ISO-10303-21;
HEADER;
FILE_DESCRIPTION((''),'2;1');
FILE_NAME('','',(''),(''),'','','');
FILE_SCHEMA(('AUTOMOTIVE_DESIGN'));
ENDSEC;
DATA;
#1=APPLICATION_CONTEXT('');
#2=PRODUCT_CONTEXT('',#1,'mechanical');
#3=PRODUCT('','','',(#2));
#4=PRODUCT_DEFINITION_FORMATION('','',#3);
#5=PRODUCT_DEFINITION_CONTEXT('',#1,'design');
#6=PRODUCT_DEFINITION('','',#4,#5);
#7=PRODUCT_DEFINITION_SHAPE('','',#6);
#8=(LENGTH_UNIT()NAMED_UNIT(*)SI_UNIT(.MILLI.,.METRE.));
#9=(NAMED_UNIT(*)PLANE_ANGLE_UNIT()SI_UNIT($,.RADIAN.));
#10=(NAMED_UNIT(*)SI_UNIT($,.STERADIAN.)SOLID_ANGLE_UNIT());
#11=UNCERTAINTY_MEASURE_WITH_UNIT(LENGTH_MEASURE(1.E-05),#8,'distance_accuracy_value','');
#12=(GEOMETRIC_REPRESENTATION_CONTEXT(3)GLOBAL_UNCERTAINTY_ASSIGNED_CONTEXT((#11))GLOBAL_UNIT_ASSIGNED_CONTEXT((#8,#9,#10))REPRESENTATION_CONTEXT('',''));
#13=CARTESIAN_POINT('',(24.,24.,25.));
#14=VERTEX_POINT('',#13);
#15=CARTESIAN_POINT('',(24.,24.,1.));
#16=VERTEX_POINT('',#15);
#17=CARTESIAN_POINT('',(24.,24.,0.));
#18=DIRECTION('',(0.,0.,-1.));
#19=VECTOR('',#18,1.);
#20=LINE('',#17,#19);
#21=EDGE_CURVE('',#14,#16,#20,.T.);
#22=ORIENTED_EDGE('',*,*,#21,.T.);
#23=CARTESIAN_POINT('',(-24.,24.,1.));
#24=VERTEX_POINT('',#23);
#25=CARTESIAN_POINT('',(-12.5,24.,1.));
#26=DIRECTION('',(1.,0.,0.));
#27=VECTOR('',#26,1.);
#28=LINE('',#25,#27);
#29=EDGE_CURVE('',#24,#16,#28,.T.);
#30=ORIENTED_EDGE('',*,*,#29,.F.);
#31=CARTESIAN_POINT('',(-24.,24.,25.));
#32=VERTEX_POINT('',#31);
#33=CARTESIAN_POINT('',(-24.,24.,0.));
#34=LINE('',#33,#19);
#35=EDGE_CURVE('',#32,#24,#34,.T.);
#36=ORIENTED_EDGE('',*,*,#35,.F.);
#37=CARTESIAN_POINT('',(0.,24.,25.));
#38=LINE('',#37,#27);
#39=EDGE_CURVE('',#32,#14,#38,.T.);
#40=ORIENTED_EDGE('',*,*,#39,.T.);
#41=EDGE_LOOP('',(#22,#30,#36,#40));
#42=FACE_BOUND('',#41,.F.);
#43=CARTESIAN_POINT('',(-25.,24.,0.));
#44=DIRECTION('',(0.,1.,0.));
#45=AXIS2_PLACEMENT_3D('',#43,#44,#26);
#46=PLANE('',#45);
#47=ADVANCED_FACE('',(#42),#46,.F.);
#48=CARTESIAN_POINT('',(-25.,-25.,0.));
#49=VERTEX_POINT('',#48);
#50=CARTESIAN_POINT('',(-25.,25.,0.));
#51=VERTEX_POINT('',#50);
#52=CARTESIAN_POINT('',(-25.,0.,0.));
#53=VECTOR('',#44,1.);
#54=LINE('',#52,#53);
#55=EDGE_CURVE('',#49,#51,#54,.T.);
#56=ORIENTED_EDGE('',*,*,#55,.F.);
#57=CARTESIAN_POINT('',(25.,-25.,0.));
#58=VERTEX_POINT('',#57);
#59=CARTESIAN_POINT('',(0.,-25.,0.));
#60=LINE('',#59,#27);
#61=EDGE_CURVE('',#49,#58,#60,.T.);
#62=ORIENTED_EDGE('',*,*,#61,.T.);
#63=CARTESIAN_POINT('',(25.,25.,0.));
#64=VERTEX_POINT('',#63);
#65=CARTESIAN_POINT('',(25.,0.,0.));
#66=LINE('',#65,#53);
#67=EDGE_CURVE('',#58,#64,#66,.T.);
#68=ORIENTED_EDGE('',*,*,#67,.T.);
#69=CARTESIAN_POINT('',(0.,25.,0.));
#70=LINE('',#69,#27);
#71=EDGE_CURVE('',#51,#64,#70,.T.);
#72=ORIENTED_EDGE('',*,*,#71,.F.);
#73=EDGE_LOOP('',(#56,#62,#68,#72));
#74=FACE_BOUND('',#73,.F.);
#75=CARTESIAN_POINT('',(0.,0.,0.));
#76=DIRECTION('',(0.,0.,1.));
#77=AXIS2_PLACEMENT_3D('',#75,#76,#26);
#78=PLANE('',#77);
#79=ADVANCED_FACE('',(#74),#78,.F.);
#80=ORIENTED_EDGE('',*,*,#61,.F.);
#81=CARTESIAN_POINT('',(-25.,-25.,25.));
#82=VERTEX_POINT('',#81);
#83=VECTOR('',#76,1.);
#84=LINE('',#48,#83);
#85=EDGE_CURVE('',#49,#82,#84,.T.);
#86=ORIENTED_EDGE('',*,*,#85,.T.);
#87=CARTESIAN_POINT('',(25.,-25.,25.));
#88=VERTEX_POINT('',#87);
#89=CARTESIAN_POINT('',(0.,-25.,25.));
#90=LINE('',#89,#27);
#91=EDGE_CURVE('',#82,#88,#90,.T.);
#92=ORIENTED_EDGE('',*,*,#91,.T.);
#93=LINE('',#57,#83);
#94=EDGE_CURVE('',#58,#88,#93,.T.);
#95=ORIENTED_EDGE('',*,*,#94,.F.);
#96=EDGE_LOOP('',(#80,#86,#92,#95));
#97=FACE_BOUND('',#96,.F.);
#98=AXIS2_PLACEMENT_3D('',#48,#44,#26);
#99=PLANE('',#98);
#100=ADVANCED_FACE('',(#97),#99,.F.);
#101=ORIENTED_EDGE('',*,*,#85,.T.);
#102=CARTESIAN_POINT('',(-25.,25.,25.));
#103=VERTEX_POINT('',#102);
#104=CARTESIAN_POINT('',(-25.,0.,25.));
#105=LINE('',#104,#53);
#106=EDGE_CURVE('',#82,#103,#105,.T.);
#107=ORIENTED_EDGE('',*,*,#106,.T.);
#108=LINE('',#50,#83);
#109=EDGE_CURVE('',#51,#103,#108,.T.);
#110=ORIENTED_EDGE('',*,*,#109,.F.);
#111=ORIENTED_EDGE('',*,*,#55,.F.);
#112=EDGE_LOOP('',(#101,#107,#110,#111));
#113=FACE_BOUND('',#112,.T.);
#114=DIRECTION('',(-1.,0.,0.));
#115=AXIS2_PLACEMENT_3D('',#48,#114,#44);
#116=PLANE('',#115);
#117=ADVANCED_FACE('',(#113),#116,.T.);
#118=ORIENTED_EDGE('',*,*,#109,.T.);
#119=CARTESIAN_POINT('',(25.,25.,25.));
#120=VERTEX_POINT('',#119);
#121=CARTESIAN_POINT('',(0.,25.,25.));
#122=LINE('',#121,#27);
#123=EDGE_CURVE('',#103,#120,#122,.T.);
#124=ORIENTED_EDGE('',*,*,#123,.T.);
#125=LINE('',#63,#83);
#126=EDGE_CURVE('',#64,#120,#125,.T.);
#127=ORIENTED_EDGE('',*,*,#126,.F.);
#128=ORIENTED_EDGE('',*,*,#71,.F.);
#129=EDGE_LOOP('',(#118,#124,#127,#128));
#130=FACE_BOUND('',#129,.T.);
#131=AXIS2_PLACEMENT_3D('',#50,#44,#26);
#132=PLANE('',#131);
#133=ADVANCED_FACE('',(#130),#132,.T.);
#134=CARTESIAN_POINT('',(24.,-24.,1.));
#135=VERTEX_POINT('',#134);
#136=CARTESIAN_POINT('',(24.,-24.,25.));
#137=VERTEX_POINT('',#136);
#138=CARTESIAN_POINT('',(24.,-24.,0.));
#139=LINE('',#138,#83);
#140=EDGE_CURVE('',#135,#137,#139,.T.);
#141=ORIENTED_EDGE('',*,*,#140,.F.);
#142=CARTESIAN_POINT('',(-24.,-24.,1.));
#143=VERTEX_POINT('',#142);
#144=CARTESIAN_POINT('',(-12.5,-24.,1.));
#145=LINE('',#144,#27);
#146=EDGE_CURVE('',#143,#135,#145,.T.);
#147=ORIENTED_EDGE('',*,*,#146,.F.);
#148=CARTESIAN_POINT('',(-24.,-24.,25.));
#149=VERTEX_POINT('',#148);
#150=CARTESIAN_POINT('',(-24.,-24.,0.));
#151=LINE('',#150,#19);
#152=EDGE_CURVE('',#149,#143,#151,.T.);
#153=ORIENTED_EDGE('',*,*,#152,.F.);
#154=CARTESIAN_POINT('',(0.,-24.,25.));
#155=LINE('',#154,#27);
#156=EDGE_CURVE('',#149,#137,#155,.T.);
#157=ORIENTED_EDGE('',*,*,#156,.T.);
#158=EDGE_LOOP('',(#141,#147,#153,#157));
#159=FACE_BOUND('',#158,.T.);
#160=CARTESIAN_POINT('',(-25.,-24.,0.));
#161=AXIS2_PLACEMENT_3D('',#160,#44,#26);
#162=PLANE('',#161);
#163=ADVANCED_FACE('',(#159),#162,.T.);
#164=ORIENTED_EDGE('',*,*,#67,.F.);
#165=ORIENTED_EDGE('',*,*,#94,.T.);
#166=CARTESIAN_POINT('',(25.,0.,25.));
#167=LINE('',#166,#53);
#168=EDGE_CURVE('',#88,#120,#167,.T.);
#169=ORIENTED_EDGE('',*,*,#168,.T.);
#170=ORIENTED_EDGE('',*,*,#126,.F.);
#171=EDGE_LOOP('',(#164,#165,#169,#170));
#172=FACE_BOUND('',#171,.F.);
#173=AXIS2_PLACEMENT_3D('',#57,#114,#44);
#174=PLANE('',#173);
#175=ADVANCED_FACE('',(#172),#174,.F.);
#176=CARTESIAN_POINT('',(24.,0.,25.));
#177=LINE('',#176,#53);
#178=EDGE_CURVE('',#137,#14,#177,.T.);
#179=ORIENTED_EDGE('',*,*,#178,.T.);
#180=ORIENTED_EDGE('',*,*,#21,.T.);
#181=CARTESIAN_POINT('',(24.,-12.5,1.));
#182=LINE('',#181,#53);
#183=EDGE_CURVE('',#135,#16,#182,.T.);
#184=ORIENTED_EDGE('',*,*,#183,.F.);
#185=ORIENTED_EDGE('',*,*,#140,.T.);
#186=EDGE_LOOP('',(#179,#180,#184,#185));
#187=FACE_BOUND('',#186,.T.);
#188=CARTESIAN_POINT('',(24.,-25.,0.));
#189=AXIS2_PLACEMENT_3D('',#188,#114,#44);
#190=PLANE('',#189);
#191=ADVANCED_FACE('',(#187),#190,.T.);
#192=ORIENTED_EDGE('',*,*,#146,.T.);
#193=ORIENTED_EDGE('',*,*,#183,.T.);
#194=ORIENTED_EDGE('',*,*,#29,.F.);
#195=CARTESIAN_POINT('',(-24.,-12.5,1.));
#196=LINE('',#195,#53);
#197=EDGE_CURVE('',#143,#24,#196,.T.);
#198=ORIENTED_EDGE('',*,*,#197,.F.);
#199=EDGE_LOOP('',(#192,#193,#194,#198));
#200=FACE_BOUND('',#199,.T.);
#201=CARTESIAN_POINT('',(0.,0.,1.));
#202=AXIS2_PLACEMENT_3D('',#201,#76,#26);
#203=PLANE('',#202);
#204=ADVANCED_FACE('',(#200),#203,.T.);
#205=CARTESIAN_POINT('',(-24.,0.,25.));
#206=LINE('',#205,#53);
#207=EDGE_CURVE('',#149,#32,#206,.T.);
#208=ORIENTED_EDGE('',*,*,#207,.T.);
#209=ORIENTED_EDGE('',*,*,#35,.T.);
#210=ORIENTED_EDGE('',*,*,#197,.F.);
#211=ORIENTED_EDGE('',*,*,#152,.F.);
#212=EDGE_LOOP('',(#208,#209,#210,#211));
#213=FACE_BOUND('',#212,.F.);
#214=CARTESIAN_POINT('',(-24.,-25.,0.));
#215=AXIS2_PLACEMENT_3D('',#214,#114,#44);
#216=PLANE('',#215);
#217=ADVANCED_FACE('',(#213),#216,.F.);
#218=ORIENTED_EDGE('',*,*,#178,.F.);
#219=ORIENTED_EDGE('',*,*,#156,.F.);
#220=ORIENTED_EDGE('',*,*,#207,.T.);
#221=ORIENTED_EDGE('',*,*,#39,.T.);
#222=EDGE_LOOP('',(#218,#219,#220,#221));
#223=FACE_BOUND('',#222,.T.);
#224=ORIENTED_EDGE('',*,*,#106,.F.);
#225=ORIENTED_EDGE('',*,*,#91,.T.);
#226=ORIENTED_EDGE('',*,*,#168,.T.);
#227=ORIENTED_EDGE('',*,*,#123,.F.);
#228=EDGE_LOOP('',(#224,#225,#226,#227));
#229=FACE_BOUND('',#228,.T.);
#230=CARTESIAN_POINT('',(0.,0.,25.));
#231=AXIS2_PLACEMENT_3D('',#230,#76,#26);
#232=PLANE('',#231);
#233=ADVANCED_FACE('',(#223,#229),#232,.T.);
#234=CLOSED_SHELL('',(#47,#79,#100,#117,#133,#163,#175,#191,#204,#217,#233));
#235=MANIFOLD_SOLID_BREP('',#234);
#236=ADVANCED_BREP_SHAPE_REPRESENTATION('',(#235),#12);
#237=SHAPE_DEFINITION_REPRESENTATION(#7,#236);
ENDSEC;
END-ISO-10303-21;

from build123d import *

# Parameters (mm, degrees)
F1_W     = 50
F1_H     = 50
F2_DEPTH = 25
F3_T     = -1


with BuildPart() as f2:
    # F1 (on face) → F2 (new body)
    with BuildSketch(Plane.XY):
        Rectangle(F1_W, F1_H)
    extrude(amount=F2_DEPTH)

    # F3
    f3_openings = [f2.faces().sort_by_distance(p)[0] for p in [
        (0, 0, 25),
    ]]
    offset(amount=F3_T, openings=f3_openings)


solid = f2.part
